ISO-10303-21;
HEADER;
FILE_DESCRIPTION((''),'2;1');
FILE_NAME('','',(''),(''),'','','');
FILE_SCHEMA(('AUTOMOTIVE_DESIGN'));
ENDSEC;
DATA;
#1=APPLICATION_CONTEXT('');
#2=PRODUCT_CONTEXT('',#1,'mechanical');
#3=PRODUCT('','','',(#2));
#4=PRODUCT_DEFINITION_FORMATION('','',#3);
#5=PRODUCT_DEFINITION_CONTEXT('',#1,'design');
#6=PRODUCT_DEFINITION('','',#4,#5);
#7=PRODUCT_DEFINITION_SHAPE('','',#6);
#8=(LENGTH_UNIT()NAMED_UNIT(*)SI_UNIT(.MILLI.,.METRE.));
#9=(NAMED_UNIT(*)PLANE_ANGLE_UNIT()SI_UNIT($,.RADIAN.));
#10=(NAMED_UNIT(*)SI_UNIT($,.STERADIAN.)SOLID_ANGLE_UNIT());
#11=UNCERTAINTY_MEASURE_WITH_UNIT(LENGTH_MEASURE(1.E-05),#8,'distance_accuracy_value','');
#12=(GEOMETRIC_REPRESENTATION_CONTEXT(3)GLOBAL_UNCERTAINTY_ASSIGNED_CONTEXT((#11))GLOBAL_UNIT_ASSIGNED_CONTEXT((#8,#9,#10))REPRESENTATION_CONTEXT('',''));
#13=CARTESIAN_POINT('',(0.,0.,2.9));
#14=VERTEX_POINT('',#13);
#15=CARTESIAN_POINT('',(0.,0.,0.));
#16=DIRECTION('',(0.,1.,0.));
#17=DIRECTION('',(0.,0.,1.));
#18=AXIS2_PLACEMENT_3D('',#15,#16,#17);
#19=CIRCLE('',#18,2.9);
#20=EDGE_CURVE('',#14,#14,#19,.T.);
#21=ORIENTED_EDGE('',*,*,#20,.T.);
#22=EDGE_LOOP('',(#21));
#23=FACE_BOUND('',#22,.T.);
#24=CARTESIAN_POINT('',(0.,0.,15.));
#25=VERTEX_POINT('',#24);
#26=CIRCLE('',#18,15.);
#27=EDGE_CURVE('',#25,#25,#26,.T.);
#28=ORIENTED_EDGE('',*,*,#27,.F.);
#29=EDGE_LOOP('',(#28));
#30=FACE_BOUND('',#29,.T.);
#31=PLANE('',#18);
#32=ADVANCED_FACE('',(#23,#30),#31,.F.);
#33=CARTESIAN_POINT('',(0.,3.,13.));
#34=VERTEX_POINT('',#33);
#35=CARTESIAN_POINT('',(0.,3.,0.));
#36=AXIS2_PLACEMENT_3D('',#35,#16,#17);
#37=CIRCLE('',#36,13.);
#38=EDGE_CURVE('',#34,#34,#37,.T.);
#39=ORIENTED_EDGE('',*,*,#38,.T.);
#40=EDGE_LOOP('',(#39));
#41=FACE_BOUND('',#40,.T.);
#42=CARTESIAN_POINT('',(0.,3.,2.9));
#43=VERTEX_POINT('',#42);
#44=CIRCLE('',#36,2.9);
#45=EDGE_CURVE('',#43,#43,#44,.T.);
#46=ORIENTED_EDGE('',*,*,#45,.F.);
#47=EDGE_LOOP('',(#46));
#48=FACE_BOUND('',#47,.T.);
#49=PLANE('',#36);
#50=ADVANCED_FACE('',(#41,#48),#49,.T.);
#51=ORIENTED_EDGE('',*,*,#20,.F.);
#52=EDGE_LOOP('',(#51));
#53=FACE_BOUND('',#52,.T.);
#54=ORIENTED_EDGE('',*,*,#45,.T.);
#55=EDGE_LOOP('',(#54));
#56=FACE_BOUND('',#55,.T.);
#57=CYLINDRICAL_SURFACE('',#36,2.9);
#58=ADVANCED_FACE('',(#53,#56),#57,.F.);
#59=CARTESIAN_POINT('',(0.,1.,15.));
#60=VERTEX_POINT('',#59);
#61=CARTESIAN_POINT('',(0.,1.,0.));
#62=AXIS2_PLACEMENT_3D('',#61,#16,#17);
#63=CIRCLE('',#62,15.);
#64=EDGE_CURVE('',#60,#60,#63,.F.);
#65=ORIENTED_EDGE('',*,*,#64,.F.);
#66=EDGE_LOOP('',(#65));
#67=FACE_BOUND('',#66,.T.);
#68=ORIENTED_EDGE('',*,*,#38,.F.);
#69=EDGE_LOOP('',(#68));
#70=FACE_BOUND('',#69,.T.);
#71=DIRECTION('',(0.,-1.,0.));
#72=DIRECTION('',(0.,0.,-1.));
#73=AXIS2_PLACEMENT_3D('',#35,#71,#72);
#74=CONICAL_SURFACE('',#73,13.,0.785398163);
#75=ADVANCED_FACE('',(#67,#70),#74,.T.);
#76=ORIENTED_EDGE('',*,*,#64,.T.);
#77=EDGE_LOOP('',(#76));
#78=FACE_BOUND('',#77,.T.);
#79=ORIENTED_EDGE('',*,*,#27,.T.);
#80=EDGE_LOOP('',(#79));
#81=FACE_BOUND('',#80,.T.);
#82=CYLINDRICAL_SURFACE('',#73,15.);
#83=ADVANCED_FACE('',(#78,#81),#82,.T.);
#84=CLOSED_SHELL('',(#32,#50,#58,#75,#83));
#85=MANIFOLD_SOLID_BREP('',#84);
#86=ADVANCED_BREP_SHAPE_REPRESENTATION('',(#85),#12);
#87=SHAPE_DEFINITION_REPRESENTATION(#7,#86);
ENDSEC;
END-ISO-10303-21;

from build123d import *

# Parameters (mm, degrees)
SKETCH1_R                = 15
BOSS_EXTRUDE1_DEPTH      = 3
CHAMFER1_SIZE            = 2
M5_CLEARANCE_HOLE1_D     = 5.8
M5_CLEARANCE_HOLE1_DEPTH = 6
M5_CLEARANCE_HOLE1_TIP   = 1.742495795


with BuildPart() as part:
    # Sketch1 → Boss-Extrude1 (new body)
    with BuildSketch(Plane(origin=(0, 0, 0), x_dir=(1, 0, 0), z_dir=(0, 1, 0))):
        Circle(SKETCH1_R)
    extrude(amount=BOSS_EXTRUDE1_DEPTH)

    # Chamfer1
    chamfer1_edges = [part.edges().sort_by_distance(p)[0] for p in [
        (-15, 3, 0),
    ]]
    chamfer(chamfer1_edges, length=CHAMFER1_SIZE)

    # M5 Clearance Hole1
    with Locations(Plane(origin=(0, 3, 0), x_dir=(1, 0, 0), z_dir=(0, 1, 0))):
        with Locations((0, 0)):
            Hole(M5_CLEARANCE_HOLE1_D / 2, depth=M5_CLEARANCE_HOLE1_DEPTH)
            with Locations((0, 0, -(M5_CLEARANCE_HOLE1_DEPTH + M5_CLEARANCE_HOLE1_TIP / 2))):  # 118° drill point
                Cone(0, M5_CLEARANCE_HOLE1_D / 2, M5_CLEARANCE_HOLE1_TIP, mode=Mode.SUBTRACT)


solid = part.part
